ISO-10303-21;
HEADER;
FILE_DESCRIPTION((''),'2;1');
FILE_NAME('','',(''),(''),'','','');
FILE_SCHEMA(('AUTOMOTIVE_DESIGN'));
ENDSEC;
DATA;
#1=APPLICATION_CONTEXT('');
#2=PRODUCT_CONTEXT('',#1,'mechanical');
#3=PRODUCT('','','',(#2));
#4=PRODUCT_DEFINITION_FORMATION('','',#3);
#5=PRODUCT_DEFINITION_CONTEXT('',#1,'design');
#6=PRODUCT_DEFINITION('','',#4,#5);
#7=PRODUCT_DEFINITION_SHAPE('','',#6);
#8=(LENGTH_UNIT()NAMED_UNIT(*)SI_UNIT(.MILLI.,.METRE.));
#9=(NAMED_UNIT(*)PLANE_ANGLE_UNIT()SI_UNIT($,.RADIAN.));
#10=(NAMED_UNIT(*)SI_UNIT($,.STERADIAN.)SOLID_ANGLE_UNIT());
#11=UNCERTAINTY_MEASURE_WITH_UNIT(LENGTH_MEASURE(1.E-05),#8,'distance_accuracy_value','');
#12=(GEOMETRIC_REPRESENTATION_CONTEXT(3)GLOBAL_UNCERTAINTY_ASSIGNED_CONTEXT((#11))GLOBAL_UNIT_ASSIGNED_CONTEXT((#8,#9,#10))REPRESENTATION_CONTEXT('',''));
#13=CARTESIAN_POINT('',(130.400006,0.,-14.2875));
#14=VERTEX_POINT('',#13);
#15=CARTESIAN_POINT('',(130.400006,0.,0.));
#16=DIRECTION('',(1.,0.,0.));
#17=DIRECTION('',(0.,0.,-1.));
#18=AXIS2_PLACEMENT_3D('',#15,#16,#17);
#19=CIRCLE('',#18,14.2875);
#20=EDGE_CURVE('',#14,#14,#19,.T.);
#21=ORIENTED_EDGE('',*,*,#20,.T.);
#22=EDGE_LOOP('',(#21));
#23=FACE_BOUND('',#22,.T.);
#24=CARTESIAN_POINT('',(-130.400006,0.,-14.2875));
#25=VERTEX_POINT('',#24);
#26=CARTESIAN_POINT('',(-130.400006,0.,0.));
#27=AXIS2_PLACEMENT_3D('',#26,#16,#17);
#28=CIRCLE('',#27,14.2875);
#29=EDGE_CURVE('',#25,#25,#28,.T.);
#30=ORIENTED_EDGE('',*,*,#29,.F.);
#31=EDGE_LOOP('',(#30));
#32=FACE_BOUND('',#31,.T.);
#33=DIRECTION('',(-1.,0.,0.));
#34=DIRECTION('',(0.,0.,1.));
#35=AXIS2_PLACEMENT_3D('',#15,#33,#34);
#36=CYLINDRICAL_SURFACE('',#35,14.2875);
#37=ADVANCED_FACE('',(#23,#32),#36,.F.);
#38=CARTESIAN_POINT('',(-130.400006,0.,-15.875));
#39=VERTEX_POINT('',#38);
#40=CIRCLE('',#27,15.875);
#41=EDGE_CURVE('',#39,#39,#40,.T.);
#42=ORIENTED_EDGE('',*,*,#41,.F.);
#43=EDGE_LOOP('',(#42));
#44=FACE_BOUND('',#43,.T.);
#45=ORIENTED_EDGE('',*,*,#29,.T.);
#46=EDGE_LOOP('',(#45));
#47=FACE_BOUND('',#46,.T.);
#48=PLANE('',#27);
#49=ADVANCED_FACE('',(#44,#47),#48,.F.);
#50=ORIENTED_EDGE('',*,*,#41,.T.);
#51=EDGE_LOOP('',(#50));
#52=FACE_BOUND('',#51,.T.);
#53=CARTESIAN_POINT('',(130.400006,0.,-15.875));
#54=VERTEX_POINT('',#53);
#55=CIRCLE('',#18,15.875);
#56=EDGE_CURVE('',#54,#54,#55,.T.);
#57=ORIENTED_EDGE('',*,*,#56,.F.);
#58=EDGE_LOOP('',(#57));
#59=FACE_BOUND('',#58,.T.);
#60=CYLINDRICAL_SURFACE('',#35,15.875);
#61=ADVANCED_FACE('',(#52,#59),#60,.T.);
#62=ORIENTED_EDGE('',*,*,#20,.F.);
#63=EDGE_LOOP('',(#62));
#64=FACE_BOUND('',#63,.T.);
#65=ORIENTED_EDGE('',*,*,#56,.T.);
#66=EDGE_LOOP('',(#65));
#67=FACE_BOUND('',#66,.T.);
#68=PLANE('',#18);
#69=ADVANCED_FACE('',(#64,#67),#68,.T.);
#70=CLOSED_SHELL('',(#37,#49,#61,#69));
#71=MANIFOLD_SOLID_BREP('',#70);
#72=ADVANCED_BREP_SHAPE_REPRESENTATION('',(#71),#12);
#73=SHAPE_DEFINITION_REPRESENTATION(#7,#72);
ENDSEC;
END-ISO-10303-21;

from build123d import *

# Parameters (mm, degrees)
SKETCH1_R           = 15.875
SKETCH1_R_2         = 14.2875
EXTRUDE_THIN1_DEPTH = 130.4000059


with BuildPart() as part:
    # Sketch1 → Extrude-Thin1 (new, symmetric)
    with BuildSketch(Plane(origin=(0, 0, 0), x_dir=(0, 0, -1), z_dir=(1, 0, 0))):
        Circle(SKETCH1_R)
        Circle(SKETCH1_R_2, mode=Mode.SUBTRACT)
    extrude(amount=EXTRUDE_THIN1_DEPTH, both=True)


solid = part.part
